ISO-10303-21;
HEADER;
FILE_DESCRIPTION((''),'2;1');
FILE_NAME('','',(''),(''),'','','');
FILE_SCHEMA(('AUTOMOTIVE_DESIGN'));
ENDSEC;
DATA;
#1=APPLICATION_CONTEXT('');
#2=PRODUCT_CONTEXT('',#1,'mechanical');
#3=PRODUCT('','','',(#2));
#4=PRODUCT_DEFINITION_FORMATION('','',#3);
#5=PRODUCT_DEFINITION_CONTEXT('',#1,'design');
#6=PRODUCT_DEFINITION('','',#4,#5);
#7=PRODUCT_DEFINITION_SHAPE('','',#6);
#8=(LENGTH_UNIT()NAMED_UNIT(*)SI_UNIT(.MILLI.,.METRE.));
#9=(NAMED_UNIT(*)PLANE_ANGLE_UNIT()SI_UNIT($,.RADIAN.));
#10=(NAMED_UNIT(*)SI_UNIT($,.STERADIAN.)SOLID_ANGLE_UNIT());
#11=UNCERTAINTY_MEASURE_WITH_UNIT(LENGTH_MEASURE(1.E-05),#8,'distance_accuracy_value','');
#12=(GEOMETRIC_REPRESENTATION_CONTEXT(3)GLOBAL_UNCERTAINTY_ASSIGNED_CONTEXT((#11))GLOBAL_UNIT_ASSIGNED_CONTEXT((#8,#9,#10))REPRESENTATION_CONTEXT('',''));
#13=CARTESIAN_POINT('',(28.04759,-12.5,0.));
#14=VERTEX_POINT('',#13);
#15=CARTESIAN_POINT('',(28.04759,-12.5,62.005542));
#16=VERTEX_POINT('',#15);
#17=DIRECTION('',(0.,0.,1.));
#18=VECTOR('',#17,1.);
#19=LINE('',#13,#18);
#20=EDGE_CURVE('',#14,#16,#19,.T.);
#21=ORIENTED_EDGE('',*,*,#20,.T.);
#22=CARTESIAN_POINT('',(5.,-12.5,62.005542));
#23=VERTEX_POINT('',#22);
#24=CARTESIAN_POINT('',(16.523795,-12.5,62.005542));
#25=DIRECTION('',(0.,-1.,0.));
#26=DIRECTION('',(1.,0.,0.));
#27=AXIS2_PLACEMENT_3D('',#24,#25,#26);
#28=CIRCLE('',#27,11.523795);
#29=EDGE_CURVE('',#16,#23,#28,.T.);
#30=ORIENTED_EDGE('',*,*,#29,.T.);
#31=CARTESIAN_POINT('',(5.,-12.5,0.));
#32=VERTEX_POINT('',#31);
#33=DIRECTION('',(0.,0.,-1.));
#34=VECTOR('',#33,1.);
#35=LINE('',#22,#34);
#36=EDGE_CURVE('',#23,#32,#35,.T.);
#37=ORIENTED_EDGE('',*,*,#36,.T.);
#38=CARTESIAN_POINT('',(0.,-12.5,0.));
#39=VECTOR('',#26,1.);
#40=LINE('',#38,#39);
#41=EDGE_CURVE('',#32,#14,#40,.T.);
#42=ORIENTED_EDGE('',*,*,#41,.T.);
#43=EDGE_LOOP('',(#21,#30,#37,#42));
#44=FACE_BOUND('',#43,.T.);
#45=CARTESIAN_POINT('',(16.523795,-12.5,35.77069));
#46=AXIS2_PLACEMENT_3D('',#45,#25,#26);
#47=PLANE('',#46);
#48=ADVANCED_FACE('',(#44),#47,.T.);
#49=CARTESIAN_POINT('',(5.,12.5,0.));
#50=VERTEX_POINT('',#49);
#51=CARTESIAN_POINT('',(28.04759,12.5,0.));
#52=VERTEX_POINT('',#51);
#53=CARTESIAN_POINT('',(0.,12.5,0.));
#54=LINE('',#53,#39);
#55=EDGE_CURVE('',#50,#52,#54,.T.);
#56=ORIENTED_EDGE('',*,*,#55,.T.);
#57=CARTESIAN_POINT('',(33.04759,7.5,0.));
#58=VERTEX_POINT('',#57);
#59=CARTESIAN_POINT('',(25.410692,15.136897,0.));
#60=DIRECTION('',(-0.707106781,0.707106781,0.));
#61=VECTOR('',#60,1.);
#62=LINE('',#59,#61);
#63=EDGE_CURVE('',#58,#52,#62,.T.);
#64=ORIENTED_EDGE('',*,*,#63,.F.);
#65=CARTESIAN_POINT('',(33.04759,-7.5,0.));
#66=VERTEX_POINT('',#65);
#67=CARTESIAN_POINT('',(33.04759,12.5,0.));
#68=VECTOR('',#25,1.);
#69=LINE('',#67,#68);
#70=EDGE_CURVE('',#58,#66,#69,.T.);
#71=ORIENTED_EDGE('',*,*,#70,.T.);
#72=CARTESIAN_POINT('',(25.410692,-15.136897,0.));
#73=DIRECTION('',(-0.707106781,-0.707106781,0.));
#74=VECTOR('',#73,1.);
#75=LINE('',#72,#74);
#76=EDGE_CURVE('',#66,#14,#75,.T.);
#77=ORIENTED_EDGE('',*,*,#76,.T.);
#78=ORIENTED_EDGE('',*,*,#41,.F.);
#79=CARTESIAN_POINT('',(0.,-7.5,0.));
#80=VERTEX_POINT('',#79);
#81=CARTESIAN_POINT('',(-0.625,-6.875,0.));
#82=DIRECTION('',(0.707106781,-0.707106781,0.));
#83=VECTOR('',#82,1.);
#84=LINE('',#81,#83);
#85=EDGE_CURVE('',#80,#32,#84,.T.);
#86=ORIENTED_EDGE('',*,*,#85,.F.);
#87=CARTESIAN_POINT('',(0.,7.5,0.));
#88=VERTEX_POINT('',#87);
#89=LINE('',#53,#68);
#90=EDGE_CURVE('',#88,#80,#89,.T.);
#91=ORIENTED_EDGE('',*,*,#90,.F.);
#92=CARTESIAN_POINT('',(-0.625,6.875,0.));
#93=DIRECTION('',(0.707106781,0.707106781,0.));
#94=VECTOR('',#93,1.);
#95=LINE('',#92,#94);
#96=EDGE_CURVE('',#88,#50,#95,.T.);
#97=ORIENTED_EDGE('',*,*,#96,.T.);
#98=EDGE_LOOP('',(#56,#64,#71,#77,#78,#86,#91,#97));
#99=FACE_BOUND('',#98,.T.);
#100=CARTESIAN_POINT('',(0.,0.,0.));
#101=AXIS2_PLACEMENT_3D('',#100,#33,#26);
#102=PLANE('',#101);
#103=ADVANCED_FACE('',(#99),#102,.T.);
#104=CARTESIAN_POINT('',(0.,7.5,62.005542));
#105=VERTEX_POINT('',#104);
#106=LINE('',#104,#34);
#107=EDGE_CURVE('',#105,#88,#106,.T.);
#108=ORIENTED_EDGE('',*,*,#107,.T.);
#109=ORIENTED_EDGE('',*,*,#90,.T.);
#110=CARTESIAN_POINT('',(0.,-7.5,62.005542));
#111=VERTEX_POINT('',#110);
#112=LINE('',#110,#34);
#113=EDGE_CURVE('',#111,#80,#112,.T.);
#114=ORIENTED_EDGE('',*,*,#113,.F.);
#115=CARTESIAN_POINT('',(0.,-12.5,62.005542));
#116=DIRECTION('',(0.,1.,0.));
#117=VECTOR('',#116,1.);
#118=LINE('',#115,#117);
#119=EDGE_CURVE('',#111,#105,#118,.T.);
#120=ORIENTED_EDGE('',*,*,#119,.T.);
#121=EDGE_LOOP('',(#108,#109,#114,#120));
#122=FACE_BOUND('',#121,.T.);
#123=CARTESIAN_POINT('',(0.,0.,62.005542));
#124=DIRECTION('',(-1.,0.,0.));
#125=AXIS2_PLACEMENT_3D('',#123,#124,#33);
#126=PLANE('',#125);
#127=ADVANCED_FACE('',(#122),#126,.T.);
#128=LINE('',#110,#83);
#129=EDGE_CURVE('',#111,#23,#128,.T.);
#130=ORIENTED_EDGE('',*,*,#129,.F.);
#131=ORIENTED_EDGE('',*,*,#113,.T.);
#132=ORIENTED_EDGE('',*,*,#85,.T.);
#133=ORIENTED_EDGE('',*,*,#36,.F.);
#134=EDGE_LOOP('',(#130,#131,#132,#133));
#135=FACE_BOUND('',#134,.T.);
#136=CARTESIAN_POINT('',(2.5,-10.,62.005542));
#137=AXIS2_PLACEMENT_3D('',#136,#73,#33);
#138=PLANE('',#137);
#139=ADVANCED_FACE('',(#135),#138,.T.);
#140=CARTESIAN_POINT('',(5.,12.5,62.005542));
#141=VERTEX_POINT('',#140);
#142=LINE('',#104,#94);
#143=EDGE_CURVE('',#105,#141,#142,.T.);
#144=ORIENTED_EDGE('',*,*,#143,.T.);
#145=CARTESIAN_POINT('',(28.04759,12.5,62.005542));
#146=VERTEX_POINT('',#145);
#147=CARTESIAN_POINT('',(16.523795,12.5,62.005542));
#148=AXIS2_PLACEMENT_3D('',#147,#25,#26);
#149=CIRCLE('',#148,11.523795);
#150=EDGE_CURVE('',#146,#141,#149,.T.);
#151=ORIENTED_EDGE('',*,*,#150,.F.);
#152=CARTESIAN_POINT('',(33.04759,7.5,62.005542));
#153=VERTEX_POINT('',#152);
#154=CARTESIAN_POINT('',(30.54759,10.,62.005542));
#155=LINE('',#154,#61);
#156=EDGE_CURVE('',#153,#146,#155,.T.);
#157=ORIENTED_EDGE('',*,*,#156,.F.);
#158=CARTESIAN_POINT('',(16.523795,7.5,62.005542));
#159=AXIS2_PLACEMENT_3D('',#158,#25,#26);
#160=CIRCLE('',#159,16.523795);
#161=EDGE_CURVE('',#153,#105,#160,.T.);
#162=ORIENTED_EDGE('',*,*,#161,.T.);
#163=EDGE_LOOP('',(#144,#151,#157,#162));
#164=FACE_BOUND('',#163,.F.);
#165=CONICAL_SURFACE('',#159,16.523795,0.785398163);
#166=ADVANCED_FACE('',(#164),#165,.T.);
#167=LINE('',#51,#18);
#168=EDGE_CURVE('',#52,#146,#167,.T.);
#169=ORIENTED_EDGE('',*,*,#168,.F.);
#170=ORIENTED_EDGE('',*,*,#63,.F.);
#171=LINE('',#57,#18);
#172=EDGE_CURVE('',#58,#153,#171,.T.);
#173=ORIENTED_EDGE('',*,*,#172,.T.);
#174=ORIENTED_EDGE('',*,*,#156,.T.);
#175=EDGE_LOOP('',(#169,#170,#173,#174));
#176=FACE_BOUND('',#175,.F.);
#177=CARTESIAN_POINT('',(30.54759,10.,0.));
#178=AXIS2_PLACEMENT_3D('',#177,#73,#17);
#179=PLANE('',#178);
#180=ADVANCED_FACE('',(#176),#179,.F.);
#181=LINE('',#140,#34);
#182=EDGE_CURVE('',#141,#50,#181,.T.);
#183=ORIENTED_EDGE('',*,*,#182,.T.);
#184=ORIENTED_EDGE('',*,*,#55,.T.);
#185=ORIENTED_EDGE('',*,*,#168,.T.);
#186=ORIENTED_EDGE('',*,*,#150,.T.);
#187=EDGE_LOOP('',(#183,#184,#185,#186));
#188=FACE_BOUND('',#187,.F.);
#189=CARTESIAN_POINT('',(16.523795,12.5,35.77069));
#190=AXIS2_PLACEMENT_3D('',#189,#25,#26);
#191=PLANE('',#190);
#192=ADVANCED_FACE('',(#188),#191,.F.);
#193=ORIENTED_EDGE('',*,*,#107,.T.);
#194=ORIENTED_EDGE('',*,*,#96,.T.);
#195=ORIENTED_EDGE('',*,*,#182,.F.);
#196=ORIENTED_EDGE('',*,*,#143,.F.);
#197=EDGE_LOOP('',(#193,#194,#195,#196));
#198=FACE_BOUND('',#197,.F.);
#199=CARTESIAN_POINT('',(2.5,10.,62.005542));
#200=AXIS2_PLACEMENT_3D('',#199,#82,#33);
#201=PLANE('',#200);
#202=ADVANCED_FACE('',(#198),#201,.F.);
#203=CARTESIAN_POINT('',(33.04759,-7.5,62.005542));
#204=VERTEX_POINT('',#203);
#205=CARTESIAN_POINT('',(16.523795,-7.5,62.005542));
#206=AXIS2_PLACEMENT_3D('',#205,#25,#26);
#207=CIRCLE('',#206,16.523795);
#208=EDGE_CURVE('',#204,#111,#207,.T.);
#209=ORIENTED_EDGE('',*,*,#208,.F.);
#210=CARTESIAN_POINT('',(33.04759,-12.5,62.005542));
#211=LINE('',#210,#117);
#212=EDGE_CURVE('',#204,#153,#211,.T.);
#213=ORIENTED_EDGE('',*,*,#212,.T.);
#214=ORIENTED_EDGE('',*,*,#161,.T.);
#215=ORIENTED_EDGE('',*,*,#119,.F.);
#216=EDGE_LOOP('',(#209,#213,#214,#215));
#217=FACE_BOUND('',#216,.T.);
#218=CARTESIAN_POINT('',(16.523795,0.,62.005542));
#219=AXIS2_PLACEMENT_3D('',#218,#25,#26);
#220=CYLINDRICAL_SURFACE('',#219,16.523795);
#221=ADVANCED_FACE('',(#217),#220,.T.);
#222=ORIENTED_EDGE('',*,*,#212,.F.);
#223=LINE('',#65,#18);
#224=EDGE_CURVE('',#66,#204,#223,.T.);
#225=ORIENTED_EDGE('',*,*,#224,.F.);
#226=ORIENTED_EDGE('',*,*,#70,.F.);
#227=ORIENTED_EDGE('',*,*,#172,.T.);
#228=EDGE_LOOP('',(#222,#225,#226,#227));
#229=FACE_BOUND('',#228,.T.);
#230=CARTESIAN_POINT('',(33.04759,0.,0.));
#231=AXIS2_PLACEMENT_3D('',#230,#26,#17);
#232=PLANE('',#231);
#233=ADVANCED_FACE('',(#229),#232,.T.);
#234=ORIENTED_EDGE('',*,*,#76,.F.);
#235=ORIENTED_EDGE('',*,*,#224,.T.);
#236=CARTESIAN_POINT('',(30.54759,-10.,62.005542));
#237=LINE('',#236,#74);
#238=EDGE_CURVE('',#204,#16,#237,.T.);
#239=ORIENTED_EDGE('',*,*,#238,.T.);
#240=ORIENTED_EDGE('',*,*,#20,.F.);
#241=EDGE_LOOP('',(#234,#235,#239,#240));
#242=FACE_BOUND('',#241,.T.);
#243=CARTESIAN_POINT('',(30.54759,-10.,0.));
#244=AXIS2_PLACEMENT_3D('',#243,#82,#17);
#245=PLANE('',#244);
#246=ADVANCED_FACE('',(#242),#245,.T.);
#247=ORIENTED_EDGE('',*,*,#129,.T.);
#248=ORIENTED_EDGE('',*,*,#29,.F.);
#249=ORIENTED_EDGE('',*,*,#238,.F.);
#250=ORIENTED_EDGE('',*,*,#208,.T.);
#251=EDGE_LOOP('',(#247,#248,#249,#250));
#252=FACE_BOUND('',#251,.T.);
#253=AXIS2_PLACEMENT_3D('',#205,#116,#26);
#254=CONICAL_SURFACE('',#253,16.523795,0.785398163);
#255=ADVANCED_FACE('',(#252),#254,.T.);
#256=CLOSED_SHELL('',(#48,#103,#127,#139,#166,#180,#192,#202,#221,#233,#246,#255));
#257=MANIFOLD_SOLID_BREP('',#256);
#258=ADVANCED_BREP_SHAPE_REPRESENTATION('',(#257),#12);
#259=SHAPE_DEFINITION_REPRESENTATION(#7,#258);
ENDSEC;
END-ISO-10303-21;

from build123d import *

# Parameters (mm, degrees)
F1_DEPTH = 12.5
F2_SIZE  = 5


with BuildPart() as f1:
    # F0 (on Front) → F1 (new body, symmetric)
    with BuildSketch(Plane.XZ):
        with BuildLine():
            Line((0, 62.005542), (0, 0))
            Line((0, 0), (33.04759, 0))
            Line((33.04759, 0), (33.04759, 62.005542))
            ThreePointArc((33.04759, 62.005542), (16.523795, 78.529337), (0, 62.005542))
        make_face()
    extrude(amount=F1_DEPTH, both=True)

    # F2
    f2_edges = [f1.edges().sort_by_distance(p)[0] for p in [
        (16.523795, -12.5, 78.529337),
        (16.523795, 12.5, 78.529337),
    ]]
    chamfer(f2_edges, length=F2_SIZE)


solid = f1.part
